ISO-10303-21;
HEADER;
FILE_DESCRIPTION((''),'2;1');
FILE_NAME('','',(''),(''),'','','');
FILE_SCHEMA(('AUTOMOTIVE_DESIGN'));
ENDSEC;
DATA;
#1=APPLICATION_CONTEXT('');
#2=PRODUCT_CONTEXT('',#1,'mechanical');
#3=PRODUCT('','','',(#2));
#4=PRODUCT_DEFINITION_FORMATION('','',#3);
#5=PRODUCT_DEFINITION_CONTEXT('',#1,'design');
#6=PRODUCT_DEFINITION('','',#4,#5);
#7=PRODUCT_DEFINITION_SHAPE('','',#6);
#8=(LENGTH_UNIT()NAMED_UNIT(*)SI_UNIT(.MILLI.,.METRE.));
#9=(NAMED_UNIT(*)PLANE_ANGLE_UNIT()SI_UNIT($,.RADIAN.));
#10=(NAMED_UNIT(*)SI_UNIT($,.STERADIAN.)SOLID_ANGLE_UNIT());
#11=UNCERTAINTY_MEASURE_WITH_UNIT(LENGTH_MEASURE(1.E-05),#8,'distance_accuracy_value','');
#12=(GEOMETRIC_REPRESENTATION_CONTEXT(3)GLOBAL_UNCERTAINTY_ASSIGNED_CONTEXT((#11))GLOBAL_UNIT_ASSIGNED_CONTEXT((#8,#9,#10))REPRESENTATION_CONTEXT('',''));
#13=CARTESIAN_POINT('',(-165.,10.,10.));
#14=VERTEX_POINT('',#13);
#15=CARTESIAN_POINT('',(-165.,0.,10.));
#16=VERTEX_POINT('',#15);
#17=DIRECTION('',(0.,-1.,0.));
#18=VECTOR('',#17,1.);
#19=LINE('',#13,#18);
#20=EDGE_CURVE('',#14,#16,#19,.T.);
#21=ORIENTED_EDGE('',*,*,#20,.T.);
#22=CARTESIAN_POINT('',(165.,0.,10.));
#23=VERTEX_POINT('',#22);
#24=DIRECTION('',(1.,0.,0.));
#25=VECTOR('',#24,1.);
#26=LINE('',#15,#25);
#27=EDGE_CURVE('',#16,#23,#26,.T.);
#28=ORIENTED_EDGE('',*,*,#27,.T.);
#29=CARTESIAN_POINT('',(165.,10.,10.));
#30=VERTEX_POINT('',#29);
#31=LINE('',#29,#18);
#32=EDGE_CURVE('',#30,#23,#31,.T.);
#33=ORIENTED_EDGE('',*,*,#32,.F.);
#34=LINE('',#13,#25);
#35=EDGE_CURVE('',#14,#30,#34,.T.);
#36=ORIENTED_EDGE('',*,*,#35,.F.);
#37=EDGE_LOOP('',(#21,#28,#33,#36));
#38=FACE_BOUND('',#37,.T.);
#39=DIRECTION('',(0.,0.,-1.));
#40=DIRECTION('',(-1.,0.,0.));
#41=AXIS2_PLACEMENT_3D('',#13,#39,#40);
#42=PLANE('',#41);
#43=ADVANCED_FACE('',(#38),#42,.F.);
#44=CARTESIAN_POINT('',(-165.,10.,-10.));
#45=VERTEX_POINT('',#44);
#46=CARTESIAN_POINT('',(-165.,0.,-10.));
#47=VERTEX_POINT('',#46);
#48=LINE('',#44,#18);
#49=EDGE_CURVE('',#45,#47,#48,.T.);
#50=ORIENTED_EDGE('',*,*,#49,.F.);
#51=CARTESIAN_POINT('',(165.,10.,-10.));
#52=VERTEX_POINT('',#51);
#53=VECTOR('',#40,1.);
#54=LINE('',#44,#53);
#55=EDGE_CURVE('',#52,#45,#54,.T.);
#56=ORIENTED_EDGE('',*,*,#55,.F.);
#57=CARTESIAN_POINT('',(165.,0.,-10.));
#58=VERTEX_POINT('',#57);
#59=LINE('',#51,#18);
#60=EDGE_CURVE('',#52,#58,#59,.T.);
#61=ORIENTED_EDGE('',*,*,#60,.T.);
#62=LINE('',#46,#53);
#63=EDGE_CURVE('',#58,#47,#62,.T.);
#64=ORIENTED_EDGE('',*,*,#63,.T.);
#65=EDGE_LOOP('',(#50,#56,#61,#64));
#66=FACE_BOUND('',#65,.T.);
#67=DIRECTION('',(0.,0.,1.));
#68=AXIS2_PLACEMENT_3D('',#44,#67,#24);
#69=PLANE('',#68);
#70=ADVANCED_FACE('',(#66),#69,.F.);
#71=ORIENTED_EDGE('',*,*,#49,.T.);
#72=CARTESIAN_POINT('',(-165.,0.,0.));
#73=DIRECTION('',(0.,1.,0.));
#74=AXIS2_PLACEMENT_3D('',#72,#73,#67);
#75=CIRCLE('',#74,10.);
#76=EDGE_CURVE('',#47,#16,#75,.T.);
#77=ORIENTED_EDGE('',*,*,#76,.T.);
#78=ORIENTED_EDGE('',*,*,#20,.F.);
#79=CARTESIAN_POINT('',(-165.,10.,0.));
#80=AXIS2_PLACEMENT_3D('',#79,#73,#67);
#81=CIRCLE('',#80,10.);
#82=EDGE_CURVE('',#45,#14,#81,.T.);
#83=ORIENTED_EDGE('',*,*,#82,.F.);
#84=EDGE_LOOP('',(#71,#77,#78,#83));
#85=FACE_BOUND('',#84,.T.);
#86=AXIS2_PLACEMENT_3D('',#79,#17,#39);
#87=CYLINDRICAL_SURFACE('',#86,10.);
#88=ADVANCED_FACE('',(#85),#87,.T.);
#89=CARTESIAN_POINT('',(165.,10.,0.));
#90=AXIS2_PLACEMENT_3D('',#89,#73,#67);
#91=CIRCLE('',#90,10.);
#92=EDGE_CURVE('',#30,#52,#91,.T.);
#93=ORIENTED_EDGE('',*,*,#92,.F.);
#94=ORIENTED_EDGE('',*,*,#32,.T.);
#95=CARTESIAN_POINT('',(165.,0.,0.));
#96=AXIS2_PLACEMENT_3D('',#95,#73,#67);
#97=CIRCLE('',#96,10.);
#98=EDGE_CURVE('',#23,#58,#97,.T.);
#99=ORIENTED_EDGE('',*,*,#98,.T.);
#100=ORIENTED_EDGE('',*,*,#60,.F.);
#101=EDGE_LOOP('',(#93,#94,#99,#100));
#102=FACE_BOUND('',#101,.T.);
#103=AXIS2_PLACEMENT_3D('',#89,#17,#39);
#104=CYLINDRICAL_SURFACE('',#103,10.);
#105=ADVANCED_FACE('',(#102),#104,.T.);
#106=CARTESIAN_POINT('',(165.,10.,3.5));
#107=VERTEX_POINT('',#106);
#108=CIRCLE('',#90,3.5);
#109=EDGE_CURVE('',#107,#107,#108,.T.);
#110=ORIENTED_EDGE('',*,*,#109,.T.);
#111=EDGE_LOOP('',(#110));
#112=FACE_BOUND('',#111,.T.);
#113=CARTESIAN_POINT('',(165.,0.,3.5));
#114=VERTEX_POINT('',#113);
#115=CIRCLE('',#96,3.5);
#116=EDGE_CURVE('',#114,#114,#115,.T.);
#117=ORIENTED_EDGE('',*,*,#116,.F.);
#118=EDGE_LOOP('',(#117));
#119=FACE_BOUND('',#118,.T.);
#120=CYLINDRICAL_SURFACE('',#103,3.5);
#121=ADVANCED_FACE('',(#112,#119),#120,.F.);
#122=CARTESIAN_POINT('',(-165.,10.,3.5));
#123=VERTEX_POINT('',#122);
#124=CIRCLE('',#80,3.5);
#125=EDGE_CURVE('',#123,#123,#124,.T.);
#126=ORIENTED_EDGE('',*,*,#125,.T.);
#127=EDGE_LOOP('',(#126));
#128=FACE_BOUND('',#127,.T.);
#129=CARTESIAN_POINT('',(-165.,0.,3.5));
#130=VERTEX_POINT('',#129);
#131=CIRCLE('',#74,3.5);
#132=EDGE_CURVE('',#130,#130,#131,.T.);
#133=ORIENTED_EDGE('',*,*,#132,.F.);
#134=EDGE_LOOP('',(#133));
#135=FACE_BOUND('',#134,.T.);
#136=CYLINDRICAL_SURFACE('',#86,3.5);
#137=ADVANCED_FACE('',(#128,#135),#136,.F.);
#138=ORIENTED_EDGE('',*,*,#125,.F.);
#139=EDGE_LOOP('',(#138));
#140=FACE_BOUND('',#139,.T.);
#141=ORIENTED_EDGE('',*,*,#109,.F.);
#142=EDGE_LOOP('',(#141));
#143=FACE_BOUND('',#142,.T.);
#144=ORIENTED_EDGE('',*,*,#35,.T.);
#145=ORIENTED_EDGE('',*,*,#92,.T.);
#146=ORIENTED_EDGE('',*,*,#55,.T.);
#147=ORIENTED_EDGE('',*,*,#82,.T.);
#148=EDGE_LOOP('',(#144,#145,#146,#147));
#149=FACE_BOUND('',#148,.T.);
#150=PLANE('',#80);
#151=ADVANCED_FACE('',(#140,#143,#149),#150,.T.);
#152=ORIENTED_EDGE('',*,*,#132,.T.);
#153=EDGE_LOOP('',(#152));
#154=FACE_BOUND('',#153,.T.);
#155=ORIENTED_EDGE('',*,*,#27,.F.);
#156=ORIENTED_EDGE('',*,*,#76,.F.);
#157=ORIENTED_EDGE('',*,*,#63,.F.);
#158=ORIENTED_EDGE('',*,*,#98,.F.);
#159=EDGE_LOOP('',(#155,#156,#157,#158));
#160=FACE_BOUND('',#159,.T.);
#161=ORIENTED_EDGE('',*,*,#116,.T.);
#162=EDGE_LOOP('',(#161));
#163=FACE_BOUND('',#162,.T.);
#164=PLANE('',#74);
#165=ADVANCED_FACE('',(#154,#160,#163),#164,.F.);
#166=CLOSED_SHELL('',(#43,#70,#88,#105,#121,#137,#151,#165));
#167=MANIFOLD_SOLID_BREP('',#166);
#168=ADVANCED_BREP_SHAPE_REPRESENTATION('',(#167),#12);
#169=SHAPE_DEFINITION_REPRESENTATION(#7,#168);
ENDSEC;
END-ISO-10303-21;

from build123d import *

# Parameters (mm, degrees)
SKETCH1_R           = 3.5
BOSS_EXTRUDE1_DEPTH = 10


with BuildPart() as part:
    # Sketch1 → Boss-Extrude1 (new body)
    with BuildSketch(Plane(origin=(0, 0, 0), x_dir=(1, 0, 0), z_dir=(0, 1, 0))):
        with BuildLine():
            Line((-165, 10), (165, 10))
            ThreePointArc((165, 10), (175, 0), (165, -10))
            Line((165, -10), (-165, -10))
            ThreePointArc((-165, -10), (-175, 0), (-165, 10))
        make_face()
        with Locations(Location((-165, 0, 0), (0, 0, 270))):
            Circle(SKETCH1_R, mode=Mode.SUBTRACT)
        with Locations(Location((165, 0, 0), (0, 0, 270))):
            Circle(SKETCH1_R, mode=Mode.SUBTRACT)
    extrude(amount=BOSS_EXTRUDE1_DEPTH)


solid = part.part
